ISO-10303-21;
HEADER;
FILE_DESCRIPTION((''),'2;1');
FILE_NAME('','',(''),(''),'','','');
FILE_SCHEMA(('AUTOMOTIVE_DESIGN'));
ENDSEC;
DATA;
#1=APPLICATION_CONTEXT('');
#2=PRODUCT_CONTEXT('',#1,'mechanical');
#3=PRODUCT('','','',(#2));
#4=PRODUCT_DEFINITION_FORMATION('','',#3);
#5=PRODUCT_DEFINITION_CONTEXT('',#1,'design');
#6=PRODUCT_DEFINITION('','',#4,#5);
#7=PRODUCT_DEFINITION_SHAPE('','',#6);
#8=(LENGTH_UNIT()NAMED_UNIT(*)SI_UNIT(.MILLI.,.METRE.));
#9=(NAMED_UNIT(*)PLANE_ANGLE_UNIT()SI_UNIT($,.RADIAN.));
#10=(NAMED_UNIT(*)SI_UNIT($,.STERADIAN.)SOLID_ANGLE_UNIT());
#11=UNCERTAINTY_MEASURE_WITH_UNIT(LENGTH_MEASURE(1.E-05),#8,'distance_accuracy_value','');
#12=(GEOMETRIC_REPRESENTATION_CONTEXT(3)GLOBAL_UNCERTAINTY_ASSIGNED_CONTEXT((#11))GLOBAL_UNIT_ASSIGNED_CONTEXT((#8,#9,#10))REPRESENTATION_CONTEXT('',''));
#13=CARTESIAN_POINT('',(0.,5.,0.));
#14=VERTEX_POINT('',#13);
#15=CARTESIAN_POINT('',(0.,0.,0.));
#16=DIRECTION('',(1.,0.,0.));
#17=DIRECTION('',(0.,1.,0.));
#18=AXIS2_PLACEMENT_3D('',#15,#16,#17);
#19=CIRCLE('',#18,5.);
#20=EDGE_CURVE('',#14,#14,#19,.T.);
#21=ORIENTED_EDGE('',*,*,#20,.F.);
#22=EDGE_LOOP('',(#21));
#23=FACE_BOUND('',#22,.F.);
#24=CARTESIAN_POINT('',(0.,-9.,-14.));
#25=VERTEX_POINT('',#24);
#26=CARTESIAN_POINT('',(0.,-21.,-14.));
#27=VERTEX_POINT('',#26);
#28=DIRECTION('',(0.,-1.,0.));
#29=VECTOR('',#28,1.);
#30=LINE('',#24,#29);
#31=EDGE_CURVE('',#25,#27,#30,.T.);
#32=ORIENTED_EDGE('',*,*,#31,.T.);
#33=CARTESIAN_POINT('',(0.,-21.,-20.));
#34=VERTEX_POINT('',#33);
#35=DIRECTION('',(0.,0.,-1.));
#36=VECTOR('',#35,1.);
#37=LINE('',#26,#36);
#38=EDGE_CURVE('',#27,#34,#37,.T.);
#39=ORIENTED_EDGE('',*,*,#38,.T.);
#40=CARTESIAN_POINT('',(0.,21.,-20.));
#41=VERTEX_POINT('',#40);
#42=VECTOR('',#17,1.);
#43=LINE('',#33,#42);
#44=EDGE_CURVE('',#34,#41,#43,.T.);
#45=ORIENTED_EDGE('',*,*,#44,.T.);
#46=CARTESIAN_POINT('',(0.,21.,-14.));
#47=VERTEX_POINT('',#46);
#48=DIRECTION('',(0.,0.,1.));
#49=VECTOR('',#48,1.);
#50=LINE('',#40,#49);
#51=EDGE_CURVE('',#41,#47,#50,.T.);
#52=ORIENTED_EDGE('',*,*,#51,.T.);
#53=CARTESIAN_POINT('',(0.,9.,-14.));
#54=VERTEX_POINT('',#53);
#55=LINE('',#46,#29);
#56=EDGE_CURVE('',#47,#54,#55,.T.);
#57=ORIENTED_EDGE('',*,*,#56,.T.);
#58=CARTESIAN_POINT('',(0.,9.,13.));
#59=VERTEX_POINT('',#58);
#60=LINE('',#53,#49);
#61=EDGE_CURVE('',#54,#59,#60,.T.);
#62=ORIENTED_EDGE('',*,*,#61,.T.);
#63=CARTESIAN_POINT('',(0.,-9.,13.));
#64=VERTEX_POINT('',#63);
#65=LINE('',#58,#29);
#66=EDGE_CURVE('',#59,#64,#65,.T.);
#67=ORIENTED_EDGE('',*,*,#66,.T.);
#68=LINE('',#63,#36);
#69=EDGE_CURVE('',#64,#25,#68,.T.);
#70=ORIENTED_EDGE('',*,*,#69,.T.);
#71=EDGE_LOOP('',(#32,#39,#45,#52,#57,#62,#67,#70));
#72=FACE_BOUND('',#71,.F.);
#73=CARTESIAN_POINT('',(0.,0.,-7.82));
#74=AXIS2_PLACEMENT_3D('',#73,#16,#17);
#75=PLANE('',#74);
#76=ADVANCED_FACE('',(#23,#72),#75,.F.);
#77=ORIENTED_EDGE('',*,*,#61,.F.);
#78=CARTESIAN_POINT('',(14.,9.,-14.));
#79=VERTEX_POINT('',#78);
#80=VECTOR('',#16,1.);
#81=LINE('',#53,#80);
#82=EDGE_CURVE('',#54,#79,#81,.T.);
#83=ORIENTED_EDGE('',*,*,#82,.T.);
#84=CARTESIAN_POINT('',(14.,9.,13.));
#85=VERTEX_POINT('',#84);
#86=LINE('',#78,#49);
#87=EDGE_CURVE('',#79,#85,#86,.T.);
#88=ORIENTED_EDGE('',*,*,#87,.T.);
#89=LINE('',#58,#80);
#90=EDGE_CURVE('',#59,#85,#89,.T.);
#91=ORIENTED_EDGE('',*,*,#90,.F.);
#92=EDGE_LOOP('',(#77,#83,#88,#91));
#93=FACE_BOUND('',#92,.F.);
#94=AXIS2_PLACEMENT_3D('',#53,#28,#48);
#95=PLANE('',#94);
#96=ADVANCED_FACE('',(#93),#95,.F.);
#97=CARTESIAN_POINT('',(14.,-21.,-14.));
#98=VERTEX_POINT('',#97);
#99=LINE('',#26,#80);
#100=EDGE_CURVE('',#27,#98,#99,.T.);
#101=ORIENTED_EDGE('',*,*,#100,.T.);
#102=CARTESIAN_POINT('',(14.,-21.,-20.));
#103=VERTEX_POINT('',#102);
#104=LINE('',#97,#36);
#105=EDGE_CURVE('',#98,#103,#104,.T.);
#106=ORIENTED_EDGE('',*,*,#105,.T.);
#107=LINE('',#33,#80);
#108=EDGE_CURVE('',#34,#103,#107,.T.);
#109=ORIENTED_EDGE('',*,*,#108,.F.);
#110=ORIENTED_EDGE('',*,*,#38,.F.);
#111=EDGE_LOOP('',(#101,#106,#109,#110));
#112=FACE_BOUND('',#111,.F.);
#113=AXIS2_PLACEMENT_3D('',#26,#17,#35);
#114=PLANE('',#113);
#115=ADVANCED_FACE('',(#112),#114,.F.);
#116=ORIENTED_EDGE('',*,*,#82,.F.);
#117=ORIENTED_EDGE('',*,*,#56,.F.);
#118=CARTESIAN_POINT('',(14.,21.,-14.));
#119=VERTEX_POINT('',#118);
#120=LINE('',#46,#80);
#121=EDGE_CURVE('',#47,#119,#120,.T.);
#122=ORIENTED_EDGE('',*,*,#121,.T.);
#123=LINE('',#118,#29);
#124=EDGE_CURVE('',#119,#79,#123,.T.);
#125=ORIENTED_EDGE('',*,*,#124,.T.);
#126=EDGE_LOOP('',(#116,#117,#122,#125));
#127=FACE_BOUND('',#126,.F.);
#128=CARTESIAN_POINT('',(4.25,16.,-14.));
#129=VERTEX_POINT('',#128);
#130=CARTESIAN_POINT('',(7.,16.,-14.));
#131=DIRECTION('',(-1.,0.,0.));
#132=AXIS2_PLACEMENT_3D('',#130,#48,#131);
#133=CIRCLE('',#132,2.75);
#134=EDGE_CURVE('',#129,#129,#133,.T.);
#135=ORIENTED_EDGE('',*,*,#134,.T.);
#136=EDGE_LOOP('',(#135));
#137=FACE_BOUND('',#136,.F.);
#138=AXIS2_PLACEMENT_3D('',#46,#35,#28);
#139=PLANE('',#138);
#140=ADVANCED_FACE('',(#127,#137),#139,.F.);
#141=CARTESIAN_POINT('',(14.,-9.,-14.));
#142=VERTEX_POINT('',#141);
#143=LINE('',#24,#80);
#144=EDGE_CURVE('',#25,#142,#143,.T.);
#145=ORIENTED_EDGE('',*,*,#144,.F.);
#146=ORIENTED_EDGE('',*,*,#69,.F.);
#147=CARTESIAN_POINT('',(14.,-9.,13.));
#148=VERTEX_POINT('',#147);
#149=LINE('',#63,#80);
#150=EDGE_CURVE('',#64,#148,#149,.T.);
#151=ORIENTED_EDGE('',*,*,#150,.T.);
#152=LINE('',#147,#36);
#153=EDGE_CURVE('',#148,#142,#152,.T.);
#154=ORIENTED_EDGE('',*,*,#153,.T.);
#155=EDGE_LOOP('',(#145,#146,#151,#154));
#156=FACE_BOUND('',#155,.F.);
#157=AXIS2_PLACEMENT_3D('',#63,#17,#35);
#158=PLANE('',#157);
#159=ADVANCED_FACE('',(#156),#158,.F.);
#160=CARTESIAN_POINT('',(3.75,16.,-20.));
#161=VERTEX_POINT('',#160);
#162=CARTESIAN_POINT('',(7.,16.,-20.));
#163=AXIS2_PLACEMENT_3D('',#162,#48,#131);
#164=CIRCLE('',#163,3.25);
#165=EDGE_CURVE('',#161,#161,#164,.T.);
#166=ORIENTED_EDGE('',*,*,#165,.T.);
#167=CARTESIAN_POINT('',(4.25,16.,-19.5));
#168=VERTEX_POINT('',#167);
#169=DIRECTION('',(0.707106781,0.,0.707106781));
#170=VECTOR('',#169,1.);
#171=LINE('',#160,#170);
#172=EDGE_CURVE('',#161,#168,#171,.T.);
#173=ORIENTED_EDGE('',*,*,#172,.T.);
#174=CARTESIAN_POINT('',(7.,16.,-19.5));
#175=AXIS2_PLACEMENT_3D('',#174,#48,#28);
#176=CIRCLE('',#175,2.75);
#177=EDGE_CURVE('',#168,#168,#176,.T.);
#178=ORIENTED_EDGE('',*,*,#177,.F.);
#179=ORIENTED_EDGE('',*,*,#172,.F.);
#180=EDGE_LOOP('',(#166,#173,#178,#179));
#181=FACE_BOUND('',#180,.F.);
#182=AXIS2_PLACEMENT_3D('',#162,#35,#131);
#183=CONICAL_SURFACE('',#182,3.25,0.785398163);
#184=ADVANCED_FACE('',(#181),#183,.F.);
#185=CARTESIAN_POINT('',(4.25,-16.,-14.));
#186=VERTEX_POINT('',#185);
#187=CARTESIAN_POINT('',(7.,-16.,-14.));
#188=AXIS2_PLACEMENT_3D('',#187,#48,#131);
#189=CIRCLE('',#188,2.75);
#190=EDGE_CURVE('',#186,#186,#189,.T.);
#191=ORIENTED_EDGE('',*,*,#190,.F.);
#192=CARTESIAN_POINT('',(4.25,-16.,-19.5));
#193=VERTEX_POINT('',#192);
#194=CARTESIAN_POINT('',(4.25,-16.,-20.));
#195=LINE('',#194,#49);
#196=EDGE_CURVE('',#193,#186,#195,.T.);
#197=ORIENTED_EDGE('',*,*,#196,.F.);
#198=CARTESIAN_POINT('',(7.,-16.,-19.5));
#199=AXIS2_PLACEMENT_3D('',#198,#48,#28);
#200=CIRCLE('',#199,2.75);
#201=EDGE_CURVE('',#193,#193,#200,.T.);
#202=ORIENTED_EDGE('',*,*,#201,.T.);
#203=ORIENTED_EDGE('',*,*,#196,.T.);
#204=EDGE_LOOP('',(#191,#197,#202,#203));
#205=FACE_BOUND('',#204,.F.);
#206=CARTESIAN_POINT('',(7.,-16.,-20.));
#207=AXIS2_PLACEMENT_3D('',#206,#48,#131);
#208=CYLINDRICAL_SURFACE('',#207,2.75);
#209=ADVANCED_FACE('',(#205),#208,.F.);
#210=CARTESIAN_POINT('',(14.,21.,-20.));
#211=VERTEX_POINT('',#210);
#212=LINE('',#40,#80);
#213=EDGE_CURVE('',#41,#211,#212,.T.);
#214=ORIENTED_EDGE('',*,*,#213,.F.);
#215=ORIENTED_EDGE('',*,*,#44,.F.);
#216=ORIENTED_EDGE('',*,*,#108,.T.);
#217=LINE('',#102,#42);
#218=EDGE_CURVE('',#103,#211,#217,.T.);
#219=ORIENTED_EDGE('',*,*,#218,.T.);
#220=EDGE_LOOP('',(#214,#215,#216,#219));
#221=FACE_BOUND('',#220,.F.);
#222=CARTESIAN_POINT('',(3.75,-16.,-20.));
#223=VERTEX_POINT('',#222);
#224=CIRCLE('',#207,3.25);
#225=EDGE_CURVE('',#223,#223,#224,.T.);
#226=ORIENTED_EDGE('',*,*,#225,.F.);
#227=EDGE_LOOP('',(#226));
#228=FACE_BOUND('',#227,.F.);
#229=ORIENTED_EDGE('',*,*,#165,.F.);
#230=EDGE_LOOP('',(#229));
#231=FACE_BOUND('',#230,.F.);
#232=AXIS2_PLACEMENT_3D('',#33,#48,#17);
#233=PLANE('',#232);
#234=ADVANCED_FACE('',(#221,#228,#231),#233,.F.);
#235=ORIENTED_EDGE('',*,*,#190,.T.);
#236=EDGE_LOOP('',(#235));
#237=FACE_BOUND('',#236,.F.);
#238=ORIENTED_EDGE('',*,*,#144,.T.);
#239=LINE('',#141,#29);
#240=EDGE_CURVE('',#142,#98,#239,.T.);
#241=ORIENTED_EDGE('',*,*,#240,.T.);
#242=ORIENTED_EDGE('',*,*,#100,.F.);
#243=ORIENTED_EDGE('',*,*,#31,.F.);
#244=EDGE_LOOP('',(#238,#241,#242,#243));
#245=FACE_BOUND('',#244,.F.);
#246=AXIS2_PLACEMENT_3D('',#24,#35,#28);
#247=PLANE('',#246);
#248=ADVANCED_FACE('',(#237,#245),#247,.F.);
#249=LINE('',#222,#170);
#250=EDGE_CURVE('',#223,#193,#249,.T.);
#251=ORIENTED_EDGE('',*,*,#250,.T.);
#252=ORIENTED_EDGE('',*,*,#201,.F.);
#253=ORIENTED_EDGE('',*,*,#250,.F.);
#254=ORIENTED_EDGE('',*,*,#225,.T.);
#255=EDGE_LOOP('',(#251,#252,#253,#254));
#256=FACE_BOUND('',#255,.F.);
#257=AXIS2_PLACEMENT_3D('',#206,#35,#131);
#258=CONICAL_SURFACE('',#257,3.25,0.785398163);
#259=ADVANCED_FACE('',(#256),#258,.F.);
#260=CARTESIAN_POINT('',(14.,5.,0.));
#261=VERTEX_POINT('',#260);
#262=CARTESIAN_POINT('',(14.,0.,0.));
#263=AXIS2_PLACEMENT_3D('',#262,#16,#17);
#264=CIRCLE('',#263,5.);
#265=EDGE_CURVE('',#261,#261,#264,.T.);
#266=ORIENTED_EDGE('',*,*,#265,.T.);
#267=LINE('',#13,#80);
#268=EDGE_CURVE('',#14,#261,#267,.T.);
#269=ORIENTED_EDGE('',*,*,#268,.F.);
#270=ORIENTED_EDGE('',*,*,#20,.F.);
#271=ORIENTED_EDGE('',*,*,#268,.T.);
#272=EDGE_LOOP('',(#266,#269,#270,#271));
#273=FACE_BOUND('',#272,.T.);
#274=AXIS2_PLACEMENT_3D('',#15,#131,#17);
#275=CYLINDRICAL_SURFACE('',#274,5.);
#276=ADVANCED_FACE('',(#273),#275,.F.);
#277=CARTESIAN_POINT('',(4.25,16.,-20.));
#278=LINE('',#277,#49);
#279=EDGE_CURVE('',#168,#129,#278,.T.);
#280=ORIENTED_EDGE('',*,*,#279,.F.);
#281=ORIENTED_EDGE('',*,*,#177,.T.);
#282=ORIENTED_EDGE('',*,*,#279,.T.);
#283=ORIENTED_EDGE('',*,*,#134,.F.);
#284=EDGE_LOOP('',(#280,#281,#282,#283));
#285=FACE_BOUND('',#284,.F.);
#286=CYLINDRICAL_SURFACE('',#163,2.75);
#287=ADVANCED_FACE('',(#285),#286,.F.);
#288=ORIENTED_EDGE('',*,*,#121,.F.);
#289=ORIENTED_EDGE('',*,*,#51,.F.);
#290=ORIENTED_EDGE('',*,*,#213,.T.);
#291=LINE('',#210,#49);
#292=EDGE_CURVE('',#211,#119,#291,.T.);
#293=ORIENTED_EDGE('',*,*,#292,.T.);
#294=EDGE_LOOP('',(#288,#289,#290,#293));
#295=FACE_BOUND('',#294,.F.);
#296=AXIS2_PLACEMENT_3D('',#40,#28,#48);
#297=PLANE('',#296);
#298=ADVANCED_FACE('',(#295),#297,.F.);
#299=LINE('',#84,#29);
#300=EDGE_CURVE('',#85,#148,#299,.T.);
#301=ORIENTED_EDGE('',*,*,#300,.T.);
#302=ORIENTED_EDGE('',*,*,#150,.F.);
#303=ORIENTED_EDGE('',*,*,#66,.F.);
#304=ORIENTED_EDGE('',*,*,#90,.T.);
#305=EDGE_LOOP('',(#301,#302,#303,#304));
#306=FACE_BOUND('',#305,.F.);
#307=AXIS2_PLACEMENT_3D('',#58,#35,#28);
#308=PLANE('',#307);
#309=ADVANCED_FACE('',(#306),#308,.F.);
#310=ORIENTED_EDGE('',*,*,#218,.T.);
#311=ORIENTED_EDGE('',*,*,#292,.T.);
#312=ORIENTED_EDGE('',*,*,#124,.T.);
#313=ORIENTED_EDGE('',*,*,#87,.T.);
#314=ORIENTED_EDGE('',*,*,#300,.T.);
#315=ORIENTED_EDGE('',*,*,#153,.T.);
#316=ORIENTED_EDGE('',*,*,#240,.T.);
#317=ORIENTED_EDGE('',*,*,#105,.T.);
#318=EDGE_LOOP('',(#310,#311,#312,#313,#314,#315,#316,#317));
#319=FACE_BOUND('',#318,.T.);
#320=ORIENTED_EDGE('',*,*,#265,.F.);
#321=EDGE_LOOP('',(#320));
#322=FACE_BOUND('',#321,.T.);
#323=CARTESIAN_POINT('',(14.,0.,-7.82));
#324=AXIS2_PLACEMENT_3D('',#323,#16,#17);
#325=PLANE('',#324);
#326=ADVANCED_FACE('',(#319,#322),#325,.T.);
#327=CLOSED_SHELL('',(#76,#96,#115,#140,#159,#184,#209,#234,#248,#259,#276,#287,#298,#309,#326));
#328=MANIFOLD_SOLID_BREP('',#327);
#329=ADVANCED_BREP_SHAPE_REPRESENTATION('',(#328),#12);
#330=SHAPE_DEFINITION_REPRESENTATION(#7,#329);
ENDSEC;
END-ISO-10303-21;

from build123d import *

# Parameters (mm, degrees)
F0_R           = 5
F1_DEPTH       = 14
F3_D           = 5.5
F3_CSINK_D     = 6.5
F3_CSINK_ANGLE = 90


with BuildPart() as f1:
    # F0 (on Right) → F1 (new body)
    with BuildSketch(Plane.YZ):
        Polygon((-21, -20), (0, -20), (21, -20), (21, -14), (9, -14), (9, 13), (0, 13), (-9, 13), (-9, -14), (-21, -14), align=None)
        Circle(F0_R, mode=Mode.SUBTRACT)
    extrude(amount=F1_DEPTH)

    # F3 (through all)
    with Locations(Plane(origin=(0, 0, -20), x_dir=(1, 0, 0), z_dir=(0, 0, -1))):
        with Locations((7, -16), (7, 16)):
            CounterSinkHole(F3_D / 2, F3_CSINK_D / 2, counter_sink_angle=F3_CSINK_ANGLE)


solid = f1.part
